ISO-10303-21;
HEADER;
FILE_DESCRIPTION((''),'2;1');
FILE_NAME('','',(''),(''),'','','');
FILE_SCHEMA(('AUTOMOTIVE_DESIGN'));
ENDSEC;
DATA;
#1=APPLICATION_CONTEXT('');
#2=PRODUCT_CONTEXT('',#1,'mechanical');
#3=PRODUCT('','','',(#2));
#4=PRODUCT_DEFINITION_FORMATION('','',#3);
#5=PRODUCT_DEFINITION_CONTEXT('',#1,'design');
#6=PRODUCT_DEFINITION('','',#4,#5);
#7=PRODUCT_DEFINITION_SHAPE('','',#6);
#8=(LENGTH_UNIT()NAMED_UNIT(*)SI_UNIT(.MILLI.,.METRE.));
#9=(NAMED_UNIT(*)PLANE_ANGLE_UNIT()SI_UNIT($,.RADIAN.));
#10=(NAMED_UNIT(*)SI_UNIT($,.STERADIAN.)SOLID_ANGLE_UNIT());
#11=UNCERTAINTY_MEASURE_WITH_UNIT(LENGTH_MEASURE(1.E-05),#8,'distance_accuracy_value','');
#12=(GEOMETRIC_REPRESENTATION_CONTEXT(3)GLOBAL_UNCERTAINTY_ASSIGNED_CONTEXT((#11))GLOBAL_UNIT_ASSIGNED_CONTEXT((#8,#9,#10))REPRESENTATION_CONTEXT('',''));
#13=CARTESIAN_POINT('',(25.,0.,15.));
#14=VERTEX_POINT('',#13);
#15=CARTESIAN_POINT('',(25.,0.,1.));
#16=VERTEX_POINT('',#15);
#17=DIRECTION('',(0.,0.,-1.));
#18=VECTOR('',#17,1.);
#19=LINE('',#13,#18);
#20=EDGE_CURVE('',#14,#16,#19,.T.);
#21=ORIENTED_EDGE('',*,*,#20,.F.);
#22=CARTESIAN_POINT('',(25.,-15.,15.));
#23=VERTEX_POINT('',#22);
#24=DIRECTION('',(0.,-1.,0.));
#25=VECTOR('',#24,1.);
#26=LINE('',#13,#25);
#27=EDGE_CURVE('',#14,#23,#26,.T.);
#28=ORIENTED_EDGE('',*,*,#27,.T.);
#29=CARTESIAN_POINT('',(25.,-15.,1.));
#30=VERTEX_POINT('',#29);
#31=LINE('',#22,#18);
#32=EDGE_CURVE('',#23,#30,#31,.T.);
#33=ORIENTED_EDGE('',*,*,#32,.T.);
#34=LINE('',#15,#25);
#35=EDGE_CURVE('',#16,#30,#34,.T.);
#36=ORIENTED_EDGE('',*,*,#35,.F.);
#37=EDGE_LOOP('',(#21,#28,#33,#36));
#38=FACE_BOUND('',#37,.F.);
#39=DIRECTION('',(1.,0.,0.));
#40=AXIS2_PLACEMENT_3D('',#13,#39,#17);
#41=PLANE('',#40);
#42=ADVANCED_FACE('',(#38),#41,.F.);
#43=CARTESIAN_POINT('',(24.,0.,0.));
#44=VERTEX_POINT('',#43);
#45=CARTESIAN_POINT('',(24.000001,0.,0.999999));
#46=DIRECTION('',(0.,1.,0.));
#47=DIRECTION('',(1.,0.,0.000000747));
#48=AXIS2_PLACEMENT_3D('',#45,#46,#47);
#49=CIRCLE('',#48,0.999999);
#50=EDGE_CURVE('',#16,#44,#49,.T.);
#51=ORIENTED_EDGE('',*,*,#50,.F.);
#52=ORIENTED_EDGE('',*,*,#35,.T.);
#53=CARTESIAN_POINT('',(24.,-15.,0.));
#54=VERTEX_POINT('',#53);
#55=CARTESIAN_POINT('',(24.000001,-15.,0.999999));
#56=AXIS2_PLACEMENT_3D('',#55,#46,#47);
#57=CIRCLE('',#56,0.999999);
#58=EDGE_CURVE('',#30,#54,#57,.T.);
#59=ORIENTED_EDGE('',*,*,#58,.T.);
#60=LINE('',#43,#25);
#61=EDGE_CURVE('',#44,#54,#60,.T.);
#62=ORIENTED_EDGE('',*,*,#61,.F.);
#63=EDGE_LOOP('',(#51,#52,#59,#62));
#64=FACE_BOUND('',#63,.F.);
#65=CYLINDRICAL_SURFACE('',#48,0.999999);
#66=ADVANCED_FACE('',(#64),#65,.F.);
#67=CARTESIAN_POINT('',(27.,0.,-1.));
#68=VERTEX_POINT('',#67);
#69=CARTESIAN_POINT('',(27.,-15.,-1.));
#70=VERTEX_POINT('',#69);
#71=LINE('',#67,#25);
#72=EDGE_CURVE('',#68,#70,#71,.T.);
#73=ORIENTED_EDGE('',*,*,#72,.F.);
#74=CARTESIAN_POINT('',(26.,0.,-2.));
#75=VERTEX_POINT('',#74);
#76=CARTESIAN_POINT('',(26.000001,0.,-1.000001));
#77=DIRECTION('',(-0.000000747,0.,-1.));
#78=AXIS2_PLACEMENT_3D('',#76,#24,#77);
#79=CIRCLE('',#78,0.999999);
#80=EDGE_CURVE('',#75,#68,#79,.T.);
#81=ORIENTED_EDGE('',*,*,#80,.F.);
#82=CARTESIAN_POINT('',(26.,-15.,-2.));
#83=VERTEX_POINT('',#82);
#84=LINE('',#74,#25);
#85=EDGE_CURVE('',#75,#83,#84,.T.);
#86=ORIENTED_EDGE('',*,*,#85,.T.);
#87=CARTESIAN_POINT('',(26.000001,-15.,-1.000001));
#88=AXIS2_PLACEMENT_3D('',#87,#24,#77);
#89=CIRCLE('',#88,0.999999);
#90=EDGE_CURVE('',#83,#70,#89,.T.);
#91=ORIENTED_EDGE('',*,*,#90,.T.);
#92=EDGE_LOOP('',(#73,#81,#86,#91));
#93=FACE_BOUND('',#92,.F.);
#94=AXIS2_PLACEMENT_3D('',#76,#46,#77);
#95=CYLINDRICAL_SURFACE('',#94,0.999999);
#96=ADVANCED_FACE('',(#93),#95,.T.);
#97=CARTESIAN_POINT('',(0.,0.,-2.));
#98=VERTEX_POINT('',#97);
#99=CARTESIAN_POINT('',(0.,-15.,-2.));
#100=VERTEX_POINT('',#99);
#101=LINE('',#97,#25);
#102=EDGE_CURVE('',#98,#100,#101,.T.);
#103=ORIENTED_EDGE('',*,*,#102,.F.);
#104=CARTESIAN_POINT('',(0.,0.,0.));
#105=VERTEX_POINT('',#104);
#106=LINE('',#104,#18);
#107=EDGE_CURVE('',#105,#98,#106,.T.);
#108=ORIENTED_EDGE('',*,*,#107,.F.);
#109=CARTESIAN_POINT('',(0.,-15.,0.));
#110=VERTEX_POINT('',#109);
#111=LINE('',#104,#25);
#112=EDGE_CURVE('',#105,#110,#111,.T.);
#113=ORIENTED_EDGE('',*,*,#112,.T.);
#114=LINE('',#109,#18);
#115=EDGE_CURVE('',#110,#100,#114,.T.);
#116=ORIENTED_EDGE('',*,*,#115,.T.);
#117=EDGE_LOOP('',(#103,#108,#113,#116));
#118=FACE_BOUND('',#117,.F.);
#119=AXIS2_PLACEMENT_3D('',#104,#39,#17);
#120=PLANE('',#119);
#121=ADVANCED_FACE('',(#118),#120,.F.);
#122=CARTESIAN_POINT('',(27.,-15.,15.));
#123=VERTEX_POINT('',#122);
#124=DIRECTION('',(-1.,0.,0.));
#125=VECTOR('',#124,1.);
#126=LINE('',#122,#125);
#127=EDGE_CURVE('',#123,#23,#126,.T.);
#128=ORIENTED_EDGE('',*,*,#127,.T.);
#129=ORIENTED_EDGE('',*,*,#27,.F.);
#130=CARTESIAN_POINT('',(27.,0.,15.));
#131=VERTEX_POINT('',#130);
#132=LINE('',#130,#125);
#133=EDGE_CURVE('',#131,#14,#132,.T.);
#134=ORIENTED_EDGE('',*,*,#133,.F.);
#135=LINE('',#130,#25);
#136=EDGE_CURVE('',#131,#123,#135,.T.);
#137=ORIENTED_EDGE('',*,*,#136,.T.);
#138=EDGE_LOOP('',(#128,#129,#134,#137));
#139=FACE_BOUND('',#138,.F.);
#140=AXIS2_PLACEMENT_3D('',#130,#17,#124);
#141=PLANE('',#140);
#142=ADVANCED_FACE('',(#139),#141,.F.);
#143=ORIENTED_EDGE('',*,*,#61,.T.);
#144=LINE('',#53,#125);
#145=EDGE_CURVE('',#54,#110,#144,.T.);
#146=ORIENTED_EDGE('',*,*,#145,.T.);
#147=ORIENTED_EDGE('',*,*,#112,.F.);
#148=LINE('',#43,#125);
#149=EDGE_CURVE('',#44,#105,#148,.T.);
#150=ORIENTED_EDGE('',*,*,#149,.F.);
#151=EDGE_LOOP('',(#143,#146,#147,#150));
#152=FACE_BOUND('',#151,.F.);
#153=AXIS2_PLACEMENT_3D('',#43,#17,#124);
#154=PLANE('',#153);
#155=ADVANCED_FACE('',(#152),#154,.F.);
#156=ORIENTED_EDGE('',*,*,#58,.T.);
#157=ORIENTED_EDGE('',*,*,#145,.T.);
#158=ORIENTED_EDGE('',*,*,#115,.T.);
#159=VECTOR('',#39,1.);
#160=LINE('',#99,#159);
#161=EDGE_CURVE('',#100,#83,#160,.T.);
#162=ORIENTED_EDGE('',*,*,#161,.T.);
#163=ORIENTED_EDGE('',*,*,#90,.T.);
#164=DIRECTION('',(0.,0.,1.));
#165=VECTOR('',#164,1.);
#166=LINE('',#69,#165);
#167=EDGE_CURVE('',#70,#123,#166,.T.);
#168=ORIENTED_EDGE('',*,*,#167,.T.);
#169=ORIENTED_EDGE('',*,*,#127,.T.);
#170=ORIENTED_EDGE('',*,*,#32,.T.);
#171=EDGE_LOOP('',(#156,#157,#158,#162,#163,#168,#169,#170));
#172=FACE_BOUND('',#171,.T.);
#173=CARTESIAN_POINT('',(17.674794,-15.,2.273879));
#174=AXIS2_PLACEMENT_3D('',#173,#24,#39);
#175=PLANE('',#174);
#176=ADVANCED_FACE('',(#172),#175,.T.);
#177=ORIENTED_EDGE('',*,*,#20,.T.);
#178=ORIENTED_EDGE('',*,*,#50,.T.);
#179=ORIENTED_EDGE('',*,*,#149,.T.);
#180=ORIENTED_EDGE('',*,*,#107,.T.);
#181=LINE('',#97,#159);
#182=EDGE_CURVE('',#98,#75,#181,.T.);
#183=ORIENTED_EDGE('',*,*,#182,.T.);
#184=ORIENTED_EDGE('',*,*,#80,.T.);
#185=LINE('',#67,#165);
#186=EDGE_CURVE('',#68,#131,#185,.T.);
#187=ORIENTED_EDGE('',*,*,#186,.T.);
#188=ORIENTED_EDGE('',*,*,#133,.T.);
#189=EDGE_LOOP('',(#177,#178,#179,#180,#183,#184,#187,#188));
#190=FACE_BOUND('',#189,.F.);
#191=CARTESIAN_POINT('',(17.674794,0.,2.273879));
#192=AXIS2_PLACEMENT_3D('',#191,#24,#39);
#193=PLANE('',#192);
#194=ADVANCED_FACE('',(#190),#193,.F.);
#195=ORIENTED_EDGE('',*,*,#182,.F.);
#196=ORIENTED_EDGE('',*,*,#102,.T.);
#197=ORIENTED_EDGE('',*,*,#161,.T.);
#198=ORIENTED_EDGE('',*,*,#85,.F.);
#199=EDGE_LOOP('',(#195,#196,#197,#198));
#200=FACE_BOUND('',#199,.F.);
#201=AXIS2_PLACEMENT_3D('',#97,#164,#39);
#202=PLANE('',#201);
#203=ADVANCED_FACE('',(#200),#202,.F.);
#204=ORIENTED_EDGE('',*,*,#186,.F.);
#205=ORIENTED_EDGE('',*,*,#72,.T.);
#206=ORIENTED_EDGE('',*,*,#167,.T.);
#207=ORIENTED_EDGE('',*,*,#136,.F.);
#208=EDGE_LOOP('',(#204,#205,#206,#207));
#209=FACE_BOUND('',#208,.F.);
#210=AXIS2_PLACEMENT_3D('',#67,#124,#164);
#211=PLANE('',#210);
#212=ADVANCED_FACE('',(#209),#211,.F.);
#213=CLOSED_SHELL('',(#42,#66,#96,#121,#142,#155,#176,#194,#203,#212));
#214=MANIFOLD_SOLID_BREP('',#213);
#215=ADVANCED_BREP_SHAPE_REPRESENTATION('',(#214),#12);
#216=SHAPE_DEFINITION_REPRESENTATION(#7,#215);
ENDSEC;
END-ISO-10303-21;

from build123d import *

# Parameters (mm, degrees)
F1_DEPTH = 15


with BuildPart() as f1:
    # F0 (on Front) → F1 (new body)
    with BuildSketch(Plane.XZ):
        with BuildLine():
            Line((24, 0), (0, 0))
            Line((0, 0), (0, -2))
            Line((0, -2), (26, -2))
            ThreePointArc((26, -2), (26.707107, -1.707107), (27, -1))
            Line((27, -1), (27, 0))
            Line((27, 0), (27, 15))
            Line((27, 15), (25, 15))
            Line((25, 15), (25, 1))
            ThreePointArc((25, 1), (24.707107, 0.292893), (24, 0))
        make_face()
    extrude(amount=F1_DEPTH)


solid = f1.part
